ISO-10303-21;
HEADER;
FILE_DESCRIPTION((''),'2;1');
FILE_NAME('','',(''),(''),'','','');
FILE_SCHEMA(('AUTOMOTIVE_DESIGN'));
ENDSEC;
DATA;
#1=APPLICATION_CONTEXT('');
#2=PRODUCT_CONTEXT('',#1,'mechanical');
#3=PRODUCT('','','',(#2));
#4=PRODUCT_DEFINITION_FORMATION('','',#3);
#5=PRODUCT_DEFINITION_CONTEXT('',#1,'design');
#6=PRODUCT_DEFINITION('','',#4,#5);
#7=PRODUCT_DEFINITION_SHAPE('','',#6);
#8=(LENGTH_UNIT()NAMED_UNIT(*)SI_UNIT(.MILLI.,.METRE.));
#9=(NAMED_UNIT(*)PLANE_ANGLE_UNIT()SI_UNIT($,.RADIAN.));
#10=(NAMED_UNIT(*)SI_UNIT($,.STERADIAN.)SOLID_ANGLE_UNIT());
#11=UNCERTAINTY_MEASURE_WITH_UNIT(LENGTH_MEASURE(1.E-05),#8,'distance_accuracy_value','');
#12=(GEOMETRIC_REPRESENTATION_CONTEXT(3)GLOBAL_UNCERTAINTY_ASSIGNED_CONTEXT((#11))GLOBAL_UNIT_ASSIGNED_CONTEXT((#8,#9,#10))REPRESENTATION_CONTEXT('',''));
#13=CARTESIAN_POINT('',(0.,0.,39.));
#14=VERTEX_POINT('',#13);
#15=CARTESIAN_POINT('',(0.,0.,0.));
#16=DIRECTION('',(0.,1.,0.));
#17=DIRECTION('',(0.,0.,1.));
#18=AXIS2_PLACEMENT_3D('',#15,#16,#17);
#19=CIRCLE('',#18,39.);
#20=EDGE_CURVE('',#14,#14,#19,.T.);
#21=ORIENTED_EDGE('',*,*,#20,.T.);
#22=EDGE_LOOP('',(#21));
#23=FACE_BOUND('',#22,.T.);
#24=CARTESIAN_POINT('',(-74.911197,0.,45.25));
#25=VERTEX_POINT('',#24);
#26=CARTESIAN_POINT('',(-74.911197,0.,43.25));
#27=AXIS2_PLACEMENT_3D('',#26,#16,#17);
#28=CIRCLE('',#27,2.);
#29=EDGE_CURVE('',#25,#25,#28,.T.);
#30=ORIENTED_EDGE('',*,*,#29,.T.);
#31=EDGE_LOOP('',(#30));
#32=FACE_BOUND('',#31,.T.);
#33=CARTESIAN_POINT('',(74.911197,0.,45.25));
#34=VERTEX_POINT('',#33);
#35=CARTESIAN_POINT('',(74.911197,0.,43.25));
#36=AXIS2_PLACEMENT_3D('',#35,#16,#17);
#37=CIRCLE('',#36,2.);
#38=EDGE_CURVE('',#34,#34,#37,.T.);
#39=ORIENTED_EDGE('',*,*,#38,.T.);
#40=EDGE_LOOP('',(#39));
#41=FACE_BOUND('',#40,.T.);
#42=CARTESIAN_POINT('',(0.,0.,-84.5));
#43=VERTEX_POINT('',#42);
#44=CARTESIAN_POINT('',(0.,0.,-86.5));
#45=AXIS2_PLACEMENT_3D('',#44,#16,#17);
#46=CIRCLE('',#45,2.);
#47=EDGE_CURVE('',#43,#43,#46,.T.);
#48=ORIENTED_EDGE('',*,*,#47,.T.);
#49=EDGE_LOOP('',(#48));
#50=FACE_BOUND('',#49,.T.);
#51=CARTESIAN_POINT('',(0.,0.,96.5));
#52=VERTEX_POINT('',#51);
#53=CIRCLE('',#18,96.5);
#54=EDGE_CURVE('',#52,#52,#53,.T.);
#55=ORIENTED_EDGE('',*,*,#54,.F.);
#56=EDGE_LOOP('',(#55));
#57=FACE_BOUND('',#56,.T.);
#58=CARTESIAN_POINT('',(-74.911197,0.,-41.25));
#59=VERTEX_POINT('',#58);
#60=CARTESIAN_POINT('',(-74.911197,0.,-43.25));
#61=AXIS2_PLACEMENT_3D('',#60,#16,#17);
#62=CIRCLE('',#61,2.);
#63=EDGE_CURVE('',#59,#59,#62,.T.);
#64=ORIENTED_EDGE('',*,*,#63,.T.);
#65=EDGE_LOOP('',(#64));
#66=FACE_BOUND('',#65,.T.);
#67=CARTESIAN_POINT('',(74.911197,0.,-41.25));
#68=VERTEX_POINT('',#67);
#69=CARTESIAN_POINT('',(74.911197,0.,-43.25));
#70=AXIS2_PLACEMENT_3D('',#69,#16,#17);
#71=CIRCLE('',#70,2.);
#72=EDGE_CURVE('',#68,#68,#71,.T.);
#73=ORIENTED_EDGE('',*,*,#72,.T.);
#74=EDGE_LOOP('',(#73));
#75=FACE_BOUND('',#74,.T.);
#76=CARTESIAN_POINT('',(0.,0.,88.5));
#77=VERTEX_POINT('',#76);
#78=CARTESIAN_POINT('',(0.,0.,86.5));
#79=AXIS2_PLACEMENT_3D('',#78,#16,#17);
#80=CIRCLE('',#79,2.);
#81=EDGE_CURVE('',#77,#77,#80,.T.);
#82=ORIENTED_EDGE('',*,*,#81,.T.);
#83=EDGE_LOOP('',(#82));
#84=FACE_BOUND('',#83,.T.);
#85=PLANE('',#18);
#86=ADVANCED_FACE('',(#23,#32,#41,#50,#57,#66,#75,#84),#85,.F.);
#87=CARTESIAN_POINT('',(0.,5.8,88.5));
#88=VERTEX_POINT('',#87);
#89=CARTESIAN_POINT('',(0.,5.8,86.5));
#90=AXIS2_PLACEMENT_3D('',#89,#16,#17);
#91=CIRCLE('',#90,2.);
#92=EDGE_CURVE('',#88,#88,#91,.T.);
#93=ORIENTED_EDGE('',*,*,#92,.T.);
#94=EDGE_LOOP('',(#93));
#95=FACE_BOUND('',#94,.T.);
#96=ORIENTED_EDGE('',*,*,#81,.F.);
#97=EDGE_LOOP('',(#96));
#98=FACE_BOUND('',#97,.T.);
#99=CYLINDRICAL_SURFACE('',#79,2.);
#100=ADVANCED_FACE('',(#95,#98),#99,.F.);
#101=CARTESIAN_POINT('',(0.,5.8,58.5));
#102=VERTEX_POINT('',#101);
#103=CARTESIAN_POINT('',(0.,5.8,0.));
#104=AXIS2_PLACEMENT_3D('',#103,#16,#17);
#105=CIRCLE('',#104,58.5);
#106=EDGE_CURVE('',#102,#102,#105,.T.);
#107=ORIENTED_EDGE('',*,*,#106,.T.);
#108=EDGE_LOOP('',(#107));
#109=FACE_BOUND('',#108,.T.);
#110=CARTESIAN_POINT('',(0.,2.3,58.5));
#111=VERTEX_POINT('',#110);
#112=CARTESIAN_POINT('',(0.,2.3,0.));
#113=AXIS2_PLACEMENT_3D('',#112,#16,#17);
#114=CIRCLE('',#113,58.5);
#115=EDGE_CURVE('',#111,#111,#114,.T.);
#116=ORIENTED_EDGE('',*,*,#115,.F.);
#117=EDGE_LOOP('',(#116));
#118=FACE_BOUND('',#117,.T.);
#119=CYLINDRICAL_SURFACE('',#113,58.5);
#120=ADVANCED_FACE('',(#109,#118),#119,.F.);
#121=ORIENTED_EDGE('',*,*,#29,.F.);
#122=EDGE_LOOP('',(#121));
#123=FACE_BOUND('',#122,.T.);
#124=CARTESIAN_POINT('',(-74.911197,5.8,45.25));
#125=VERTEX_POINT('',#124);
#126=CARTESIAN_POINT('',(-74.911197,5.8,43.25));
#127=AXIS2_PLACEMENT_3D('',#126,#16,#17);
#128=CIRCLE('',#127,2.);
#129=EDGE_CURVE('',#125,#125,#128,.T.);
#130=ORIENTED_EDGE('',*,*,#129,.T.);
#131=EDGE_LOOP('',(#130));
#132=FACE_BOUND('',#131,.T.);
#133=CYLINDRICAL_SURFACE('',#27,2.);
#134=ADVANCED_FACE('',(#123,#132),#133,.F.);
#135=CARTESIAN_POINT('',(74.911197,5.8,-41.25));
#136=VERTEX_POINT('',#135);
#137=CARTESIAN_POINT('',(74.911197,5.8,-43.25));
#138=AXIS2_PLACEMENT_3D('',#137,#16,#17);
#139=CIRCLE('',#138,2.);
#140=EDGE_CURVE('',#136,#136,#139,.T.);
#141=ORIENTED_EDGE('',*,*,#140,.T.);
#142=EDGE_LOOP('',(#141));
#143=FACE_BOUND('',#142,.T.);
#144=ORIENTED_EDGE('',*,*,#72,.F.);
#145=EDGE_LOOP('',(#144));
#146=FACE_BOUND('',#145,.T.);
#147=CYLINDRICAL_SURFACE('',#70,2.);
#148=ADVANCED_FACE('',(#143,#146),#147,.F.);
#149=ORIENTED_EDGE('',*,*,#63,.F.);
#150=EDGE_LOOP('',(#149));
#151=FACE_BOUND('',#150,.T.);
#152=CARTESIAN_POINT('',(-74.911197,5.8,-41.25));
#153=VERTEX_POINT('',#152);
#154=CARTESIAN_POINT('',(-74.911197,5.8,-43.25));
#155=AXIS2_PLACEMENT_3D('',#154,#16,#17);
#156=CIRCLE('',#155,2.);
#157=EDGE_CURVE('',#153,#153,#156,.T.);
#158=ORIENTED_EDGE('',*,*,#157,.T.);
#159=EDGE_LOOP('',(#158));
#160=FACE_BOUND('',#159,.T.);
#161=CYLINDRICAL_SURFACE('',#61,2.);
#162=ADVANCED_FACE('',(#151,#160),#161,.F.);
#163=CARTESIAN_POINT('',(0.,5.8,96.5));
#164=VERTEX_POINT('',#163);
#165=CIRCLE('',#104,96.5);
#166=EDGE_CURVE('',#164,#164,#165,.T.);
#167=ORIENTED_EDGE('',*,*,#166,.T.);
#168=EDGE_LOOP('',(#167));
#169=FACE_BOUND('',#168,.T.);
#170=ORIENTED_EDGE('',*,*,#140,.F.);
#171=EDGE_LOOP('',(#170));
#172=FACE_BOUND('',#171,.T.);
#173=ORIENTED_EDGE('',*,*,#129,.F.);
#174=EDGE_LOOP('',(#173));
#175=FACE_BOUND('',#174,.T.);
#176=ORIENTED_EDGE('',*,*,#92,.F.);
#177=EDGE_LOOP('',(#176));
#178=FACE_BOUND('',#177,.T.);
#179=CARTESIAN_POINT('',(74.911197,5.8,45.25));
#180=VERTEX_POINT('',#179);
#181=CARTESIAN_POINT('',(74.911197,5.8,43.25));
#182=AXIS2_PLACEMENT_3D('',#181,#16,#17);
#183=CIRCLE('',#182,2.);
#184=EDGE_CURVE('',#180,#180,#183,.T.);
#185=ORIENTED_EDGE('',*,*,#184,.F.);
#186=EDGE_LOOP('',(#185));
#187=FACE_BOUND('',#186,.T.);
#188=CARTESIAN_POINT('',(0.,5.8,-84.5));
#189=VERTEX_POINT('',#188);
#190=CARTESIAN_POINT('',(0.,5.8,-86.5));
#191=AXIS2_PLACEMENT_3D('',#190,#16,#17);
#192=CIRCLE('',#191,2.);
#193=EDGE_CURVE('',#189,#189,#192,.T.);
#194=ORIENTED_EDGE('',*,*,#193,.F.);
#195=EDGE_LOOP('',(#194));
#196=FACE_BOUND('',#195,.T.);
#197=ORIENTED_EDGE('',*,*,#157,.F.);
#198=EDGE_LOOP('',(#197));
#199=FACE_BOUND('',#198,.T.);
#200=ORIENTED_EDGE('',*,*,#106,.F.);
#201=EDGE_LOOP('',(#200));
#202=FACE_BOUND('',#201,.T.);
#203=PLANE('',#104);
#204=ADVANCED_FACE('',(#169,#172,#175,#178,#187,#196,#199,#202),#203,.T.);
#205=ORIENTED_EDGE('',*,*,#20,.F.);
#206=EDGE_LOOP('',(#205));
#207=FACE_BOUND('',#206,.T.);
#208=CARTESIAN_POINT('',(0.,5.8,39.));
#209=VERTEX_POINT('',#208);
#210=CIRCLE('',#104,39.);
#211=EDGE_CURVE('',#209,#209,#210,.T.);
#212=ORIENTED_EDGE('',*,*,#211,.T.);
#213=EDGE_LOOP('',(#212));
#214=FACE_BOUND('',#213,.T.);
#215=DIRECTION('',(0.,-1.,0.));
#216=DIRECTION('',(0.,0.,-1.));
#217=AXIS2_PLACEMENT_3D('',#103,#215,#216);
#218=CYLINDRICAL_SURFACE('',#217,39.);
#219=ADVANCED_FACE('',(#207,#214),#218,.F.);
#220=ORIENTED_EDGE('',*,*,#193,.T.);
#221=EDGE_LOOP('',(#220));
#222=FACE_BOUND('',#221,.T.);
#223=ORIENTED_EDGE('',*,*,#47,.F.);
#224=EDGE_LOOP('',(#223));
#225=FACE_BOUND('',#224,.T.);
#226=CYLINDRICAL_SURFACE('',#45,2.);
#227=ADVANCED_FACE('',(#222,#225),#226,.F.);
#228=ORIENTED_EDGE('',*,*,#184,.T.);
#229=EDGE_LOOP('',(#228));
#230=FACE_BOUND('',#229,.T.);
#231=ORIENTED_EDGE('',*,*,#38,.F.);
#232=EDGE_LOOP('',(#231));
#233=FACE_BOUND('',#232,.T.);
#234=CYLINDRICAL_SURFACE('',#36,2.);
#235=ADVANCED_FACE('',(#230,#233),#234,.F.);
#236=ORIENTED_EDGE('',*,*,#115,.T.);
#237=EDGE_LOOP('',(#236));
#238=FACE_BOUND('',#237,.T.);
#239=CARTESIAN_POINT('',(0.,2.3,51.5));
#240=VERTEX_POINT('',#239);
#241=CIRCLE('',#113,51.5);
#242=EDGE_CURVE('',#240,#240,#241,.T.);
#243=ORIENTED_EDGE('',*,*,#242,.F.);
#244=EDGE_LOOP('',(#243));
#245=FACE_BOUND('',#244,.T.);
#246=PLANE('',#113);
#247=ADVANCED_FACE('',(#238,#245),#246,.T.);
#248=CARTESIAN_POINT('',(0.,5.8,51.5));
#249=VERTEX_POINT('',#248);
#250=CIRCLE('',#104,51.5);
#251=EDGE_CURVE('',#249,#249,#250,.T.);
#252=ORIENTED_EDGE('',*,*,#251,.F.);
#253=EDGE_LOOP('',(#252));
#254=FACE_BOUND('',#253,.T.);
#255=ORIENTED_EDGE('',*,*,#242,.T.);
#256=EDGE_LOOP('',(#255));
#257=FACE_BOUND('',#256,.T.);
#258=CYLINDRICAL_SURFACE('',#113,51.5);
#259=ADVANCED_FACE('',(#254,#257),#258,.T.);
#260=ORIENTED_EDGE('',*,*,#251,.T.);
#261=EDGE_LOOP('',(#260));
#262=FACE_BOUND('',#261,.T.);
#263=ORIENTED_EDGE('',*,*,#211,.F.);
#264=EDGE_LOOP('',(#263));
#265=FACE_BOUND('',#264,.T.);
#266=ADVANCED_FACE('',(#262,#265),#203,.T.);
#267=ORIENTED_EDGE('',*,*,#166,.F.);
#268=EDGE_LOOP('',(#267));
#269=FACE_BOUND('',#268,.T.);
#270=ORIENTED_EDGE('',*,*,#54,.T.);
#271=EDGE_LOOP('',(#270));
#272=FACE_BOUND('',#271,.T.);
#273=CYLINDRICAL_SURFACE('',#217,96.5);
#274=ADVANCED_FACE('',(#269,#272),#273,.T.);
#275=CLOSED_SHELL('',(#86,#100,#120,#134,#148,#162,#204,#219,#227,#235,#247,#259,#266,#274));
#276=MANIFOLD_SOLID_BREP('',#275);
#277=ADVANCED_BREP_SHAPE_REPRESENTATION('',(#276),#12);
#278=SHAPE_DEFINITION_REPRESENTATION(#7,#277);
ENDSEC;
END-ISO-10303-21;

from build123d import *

# Parameters (mm, degrees)
SKETCH1_R           = 96.5
SKETCH1_R_2         = 39
BOSS_EXTRUDE1_DEPTH = 5.8
SKETCH2_R           = 58.5
SKETCH2_R_2         = 51.5
CUT_EXTRUDE1_DEPTH  = 3.5
SKETCH3_R           = 2
CUT_EXTRUDE2_DEPTH  = 6.8


with BuildPart() as part:
    # Sketch1 → Boss-Extrude1 (new body)
    with BuildSketch(Plane(origin=(0, 0, 0), x_dir=(1, 0, 0), z_dir=(0, 1, 0))):
        Circle(SKETCH1_R)
        Circle(SKETCH1_R_2, mode=Mode.SUBTRACT)
    extrude(amount=BOSS_EXTRUDE1_DEPTH)

    # Sketch2 → Cut-Extrude1 (cut)
    with BuildSketch(Plane(origin=(0, 5.8, 0), x_dir=(1, 0, 0), z_dir=(0, 1, 0))):
        Circle(SKETCH2_R)
        Circle(SKETCH2_R_2, mode=Mode.SUBTRACT)
    extrude(amount=-CUT_EXTRUDE1_DEPTH, mode=Mode.SUBTRACT)

    # Sketch3 → Cut-Extrude2 (cut, through all)
    with BuildSketch(Plane(origin=(0, 5.8, 0), x_dir=(1, 0, 0), z_dir=(0, 1, 0))):
        with Locations((0, 86.5)):
            Circle(SKETCH3_R)
        with Locations((74.911197427, 43.25)):
            Circle(SKETCH3_R)
        with Locations((74.911197427, -43.25)):
            Circle(SKETCH3_R)
        with Locations((0, -86.5)):
            Circle(SKETCH3_R)
        with Locations((-74.911197427, -43.25)):
            Circle(SKETCH3_R)
        with Locations((-74.911197427, 43.25)):
            Circle(SKETCH3_R)
    extrude(amount=-CUT_EXTRUDE2_DEPTH, mode=Mode.SUBTRACT)


solid = part.part
